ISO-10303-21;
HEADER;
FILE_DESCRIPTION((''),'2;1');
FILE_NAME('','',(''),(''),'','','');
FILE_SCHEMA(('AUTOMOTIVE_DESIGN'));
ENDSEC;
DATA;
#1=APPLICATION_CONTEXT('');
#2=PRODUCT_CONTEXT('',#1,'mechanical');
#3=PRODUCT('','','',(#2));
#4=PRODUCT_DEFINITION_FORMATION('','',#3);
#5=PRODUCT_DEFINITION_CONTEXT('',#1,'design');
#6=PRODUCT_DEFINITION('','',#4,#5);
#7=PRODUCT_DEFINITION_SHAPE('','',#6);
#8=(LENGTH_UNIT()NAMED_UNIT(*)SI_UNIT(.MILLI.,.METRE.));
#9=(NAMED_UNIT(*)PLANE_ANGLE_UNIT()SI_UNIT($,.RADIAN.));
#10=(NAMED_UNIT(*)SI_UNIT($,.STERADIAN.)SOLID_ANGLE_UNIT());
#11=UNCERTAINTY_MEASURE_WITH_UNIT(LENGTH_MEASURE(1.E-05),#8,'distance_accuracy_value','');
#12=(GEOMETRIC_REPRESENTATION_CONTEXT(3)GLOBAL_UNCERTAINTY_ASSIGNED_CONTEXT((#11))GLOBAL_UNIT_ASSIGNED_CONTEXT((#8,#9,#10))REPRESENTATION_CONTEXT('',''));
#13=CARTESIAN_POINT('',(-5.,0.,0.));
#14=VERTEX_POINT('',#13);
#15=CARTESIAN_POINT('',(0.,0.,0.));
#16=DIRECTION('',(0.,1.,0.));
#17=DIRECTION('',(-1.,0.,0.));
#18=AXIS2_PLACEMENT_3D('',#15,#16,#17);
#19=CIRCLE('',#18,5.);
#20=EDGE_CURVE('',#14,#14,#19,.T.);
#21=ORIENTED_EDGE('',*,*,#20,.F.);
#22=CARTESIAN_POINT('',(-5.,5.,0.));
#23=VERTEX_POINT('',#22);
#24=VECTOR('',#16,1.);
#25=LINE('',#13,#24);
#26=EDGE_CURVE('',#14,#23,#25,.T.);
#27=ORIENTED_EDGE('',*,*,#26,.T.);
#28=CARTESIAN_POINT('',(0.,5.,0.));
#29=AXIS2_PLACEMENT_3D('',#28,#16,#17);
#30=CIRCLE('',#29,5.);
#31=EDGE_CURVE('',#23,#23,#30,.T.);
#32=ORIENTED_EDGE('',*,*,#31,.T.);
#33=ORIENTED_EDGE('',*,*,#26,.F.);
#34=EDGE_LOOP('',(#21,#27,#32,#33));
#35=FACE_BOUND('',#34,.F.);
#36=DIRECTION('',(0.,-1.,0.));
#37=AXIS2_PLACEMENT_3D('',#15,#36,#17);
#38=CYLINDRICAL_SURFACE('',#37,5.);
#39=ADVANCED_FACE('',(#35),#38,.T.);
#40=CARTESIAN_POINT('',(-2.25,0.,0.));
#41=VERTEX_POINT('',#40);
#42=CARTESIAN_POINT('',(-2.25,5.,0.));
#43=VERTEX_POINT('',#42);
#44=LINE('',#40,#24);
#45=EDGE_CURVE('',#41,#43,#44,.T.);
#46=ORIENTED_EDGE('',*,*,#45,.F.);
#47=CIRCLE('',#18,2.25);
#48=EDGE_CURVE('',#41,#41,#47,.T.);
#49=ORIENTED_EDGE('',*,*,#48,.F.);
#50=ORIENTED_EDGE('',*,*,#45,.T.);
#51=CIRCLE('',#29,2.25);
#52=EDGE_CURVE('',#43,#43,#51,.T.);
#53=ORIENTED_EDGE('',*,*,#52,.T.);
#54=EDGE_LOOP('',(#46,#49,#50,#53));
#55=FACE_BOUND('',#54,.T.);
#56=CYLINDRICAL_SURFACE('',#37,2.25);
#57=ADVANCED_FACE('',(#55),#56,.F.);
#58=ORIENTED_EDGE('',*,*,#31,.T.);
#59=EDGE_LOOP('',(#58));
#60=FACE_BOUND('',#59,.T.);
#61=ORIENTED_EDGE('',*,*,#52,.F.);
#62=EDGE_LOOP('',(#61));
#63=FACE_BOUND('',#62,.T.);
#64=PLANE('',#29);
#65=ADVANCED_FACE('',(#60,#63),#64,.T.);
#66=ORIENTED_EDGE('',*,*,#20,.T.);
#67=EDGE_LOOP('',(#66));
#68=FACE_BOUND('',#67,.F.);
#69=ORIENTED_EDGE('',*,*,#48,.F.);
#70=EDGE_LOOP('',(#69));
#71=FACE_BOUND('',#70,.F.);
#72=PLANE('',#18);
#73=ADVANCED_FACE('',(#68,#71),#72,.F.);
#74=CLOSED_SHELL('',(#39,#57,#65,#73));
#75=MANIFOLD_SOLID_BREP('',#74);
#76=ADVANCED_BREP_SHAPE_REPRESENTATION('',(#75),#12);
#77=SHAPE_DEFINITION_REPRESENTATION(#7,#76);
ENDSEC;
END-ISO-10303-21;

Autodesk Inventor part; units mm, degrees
ref_plane "YZ Plane" through (0, 0, 0) normal (1, 0, 0) x (0, 1, 0)
ref_plane "XZ Plane" through (0, 0, 0) normal (0, 1, 0) x (-1, 0, 0)
ref_plane "XY Plane" through (0, 0, 0) normal (0, 0, 1) x (1, 0, 0)
sketch "Sketch1" plane through (0, 0, 0) normal (0, 1, 0) x (-1, 0, 0)
  circle A0 centre (0, 0) radius 5
  circle A1 centre (0, 0) radius 2.25
  dimension "d0" = 10
  dimension "d1" = 4.5
extrude "Extrusion1" add sketch "Sketch1" along normal blind 5
equation "\"BendRadius\" = Thickness"
equation "\"BendReliefWidth\" = Thickness"
equation "\"BendReliefDepth\" = 0.5 * Thickness"
equation "\"CornerReliefSize\" = 4 * Thickness"
equation "\"MinimumRemnant\" = 2 * Thickness"
equation "\"TransitionRadius\" = BendRadius"
equation "\"JacobiRadiusSize\" = BendRadius"
equation "\"GapSize\" = Thickness"
equation "\"Thickness\" = 0.5"
